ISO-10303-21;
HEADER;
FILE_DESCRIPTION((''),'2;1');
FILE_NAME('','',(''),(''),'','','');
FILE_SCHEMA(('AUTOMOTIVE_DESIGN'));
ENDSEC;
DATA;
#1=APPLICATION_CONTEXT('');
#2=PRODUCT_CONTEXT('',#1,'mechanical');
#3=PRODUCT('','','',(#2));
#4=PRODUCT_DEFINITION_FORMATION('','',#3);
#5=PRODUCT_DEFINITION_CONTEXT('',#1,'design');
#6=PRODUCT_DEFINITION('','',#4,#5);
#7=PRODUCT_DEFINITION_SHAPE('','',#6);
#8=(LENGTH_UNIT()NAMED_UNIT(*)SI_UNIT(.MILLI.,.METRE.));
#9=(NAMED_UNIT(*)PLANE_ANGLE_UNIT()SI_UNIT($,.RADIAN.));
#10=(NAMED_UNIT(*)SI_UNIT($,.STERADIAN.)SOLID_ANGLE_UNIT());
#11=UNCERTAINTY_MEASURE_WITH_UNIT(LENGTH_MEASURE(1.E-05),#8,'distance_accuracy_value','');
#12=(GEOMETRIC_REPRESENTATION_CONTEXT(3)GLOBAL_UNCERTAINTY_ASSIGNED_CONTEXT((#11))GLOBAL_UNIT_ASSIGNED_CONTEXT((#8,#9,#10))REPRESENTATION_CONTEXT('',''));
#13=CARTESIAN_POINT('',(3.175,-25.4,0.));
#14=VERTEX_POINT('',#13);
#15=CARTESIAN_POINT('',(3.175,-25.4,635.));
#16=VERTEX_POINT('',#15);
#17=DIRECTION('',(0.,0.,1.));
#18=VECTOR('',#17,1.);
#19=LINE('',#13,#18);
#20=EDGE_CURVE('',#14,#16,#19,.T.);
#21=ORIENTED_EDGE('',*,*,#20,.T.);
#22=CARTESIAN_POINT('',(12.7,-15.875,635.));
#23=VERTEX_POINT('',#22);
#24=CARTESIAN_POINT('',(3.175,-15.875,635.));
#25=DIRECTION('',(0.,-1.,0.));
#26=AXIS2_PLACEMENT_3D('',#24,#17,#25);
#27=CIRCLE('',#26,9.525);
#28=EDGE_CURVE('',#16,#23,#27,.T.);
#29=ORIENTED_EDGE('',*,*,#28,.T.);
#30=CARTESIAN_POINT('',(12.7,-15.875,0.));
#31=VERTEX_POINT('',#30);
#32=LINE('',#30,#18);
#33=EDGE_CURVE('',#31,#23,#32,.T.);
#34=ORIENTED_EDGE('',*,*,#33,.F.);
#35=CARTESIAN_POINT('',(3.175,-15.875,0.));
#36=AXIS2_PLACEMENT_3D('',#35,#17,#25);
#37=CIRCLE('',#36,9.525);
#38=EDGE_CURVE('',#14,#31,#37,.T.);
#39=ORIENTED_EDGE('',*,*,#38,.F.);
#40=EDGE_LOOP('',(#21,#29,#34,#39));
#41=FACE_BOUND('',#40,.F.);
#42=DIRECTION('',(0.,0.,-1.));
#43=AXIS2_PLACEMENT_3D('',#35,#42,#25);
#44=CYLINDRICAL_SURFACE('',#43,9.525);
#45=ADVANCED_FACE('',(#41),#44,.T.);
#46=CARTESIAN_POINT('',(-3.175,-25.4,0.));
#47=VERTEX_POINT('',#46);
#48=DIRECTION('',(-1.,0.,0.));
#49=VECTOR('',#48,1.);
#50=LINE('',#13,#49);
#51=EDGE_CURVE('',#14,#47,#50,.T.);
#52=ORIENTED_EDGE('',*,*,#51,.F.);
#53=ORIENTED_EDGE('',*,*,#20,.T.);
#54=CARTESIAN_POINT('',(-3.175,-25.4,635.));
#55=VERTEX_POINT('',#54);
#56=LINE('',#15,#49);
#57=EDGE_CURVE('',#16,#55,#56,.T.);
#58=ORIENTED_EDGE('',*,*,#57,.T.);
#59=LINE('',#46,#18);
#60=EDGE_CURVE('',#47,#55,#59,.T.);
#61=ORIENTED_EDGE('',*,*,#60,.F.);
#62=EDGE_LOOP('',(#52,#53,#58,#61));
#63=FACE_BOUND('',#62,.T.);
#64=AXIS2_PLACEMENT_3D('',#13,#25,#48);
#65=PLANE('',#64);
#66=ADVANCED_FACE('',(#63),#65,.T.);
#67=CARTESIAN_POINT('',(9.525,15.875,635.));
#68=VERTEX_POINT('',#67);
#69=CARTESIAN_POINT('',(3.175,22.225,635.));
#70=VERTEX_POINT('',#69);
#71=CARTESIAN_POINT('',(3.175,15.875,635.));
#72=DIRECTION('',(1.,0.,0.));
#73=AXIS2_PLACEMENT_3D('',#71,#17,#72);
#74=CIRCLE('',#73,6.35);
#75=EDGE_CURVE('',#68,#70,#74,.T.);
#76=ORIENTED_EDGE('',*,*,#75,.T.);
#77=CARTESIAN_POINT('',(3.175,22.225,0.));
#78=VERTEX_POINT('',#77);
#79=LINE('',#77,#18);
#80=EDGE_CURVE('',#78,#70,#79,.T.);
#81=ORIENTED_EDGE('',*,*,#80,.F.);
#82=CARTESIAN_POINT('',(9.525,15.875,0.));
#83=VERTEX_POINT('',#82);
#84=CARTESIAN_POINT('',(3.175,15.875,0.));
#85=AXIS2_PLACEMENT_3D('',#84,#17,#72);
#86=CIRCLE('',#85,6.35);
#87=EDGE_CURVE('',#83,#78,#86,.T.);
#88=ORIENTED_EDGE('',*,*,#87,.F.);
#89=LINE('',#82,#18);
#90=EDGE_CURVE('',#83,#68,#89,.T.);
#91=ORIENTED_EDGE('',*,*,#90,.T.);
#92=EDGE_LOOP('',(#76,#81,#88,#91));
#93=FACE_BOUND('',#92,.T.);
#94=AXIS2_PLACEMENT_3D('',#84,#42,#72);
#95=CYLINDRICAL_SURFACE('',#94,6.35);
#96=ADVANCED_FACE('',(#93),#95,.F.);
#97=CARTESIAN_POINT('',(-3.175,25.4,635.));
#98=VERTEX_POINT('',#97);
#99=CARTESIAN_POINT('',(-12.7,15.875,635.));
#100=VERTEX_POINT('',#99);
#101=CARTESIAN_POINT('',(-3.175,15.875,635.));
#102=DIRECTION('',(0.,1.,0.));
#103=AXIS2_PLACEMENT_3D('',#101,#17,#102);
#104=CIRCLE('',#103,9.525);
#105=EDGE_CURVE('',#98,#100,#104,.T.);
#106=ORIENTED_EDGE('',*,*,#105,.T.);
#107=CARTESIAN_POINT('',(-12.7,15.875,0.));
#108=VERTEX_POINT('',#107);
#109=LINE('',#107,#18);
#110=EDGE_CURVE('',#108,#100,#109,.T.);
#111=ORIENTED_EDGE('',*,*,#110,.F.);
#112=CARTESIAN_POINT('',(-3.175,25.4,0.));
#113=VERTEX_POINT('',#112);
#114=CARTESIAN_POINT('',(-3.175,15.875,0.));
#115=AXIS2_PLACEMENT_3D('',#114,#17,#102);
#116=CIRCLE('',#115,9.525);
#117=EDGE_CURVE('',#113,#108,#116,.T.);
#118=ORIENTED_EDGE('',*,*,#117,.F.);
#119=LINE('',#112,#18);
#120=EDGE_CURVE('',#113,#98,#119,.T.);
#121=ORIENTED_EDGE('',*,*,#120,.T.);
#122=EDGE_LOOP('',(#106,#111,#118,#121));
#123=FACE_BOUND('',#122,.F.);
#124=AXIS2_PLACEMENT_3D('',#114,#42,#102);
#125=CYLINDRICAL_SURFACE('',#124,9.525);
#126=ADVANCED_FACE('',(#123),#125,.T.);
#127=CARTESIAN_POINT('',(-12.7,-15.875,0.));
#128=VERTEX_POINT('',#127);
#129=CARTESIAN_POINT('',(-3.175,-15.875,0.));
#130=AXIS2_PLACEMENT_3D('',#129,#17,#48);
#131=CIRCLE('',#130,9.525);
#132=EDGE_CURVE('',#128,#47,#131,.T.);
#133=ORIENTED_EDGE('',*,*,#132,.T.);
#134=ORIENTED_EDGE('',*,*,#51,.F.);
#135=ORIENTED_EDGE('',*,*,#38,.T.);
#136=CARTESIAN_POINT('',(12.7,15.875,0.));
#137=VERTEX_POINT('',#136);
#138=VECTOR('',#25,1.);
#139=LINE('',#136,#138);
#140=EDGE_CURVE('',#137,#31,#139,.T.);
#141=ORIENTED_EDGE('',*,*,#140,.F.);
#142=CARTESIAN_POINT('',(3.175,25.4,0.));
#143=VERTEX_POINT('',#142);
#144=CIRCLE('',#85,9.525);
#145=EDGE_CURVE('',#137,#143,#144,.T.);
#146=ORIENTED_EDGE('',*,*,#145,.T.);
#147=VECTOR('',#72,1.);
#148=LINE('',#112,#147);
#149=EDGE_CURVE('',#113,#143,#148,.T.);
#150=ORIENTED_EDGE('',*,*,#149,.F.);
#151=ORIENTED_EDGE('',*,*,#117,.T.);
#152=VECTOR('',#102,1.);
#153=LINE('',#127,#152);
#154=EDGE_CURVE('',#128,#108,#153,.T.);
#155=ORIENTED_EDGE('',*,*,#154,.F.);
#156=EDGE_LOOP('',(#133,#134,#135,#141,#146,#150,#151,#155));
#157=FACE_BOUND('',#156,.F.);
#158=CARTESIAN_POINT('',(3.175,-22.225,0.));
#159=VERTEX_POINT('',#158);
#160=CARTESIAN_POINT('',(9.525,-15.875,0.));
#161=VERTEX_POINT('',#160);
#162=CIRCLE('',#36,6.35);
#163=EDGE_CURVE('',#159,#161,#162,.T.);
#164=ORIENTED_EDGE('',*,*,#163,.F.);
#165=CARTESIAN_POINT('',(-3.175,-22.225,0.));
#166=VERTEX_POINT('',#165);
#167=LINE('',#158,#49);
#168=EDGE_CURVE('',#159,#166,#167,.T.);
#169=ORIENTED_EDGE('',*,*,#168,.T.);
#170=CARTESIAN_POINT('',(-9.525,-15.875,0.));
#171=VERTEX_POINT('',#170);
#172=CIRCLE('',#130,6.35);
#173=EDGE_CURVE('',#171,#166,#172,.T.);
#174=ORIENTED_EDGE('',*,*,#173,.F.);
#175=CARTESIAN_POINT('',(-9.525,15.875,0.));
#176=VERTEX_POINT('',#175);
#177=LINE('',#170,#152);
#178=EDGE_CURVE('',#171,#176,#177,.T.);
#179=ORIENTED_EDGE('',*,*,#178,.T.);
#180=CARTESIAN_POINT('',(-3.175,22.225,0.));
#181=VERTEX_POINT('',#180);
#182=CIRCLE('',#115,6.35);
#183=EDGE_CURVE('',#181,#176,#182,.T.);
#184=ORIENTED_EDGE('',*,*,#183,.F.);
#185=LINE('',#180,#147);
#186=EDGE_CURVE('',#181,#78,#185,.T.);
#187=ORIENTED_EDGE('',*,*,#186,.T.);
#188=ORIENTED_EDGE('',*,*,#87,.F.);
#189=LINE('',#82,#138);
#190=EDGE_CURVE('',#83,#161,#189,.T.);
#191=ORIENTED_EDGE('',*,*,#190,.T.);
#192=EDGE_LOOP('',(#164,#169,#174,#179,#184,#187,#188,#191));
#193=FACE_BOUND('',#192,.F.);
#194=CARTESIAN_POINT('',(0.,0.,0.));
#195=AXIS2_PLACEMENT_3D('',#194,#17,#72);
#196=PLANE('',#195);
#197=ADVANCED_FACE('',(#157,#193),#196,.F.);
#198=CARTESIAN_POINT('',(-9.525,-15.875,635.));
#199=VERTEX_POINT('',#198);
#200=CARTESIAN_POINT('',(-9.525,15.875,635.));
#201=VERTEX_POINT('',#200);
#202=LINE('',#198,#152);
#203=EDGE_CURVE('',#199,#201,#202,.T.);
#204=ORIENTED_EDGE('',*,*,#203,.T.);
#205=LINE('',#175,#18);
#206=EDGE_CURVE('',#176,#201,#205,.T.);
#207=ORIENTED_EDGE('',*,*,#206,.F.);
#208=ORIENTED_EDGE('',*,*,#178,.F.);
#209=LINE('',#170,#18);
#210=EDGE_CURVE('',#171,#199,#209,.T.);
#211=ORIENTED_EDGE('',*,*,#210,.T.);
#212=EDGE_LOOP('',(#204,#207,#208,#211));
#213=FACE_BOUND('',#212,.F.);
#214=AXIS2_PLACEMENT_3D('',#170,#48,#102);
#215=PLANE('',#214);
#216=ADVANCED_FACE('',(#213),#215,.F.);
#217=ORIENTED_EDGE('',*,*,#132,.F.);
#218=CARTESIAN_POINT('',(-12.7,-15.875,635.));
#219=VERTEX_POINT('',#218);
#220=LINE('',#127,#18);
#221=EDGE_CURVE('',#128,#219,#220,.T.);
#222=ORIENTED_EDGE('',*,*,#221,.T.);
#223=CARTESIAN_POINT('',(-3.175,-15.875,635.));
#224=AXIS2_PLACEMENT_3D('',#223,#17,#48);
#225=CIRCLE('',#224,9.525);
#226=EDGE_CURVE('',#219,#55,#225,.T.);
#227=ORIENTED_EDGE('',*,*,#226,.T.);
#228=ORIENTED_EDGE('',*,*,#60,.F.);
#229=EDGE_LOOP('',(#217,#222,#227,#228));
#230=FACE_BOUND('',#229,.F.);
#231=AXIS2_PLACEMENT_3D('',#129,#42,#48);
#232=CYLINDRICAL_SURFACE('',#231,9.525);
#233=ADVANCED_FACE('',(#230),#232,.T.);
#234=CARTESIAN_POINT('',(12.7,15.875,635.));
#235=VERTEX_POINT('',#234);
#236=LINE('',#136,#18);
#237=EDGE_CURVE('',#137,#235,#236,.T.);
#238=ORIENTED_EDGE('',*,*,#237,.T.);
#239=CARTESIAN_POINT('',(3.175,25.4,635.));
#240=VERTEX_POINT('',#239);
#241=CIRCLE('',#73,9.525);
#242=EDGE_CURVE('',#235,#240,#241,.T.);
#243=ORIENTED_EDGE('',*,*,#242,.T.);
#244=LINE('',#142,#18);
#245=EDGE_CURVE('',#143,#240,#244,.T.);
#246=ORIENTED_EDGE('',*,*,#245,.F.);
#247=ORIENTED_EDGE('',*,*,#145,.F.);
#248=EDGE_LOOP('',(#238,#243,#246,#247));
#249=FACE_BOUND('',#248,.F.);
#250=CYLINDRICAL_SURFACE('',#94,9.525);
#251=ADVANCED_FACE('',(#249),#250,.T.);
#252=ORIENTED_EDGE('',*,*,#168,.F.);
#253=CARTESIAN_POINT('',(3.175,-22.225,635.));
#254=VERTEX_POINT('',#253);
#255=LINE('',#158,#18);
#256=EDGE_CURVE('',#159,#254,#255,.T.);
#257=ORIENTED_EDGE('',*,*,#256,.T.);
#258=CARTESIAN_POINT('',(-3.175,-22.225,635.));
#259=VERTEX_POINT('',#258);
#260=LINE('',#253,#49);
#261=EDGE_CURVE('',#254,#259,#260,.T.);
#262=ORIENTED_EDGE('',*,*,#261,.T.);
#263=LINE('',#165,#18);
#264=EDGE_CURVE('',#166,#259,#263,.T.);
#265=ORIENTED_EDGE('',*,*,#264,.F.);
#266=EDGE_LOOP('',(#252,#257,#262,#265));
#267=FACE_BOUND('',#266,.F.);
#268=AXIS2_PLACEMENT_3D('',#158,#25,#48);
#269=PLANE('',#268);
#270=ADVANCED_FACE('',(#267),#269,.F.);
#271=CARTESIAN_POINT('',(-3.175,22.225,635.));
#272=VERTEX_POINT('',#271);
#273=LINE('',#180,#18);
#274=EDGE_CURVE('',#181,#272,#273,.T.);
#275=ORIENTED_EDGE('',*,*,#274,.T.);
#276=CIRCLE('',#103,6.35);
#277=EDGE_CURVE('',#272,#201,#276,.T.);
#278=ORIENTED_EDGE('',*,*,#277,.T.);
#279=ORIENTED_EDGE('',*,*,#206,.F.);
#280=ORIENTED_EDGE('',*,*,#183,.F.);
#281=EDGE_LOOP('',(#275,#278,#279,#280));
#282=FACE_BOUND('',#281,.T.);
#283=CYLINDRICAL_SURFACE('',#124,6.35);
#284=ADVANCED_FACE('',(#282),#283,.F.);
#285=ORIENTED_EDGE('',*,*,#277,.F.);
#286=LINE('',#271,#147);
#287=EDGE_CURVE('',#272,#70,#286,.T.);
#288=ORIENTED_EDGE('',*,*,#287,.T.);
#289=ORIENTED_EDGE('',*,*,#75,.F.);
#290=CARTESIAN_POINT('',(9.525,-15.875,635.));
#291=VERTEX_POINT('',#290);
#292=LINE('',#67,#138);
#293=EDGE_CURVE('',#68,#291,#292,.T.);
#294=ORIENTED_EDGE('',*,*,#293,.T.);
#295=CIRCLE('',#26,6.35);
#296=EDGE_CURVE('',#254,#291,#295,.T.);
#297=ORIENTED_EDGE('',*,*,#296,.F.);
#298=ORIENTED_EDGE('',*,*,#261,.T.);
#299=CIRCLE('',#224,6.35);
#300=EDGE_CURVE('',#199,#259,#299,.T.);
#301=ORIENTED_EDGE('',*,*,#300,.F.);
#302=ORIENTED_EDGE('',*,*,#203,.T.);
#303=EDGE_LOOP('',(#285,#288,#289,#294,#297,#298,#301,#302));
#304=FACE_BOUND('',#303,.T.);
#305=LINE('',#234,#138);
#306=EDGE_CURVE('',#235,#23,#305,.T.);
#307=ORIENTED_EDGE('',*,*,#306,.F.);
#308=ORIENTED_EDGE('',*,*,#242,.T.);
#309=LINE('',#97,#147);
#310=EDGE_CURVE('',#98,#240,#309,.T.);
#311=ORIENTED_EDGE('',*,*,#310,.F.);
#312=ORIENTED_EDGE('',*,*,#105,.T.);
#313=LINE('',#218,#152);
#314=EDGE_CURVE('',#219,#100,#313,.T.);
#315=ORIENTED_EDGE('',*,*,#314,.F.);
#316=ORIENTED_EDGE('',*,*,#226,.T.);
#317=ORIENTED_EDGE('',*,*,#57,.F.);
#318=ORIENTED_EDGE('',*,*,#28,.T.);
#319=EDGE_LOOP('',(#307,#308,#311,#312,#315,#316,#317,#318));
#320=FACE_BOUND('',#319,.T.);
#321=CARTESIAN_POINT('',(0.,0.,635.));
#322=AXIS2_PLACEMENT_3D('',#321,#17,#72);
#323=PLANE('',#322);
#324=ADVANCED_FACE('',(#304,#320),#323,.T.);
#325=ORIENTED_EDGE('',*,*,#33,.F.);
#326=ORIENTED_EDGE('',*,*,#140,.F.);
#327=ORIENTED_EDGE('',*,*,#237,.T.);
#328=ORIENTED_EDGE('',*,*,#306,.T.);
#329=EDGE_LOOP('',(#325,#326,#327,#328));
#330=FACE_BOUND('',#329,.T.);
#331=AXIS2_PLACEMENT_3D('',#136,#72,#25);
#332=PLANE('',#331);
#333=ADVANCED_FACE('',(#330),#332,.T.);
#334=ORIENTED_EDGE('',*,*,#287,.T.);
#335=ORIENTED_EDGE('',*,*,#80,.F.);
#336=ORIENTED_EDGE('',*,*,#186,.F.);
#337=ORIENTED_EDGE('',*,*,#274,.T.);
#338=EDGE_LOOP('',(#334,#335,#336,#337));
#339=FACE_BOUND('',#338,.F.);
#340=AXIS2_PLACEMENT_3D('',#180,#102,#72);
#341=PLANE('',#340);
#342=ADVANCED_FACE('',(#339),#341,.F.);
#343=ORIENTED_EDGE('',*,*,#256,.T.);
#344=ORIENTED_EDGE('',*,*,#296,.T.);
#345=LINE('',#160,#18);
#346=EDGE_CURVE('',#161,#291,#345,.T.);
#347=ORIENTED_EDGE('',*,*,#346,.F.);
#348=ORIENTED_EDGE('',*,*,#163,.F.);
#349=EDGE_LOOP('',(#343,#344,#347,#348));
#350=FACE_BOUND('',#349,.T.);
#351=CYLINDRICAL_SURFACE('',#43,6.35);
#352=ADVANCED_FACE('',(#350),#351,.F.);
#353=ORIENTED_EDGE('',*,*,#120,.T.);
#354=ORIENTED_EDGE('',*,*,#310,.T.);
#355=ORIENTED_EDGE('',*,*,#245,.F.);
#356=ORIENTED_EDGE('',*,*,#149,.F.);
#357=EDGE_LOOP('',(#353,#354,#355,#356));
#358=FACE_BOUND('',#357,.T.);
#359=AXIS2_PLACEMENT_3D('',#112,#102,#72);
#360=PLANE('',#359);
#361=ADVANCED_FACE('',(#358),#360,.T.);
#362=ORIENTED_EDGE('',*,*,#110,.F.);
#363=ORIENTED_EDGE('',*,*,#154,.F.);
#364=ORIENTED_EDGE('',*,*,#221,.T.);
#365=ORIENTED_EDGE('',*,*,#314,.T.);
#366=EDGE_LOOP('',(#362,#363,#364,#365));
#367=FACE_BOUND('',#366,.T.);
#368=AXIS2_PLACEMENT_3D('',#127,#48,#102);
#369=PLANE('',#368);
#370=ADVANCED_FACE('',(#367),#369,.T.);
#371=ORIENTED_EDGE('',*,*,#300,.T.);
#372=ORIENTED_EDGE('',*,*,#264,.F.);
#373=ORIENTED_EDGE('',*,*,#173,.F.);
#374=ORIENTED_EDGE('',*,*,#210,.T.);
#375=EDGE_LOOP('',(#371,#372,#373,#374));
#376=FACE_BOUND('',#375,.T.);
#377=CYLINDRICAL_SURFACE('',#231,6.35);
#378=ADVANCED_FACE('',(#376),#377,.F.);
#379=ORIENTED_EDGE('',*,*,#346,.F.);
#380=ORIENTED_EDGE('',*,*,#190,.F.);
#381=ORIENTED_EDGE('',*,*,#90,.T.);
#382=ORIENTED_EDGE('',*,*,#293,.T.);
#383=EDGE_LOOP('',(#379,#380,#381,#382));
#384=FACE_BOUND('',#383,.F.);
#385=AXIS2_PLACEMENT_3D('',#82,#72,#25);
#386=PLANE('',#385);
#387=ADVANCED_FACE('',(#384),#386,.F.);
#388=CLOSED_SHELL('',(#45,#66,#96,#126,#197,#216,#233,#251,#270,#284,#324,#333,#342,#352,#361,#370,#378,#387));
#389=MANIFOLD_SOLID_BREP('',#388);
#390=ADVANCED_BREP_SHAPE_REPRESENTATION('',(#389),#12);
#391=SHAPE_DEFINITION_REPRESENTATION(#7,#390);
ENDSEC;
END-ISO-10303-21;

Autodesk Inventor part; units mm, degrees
ref_plane "YZ Plane" through (0, 0, 0) normal (1, 0, 0) x (0, 1, 0)
ref_plane "Start plane" through (0, 0, 0) normal (0, 0, 1) x (1, 0, 0)
ref_plane "End plane" through (0, 0, 635) normal (0, 0, 1) x (1, 0, 0)
sketch "Sketch" plane through (0, 0, 0) normal (0, 0, 1) x (1, 0, 0)
  line L0 (-12.7, -15.875) -> (-12.7, 15.875)
  line L1 (-3.175, 25.4) -> (3.175, 25.4)
  line L2 (12.7, 15.875) -> (12.7, -15.875)
  line L3 (3.175, -25.4) -> (-3.175, -25.4)
  arc A0 (-12.7, -15.875) -> (-3.175, -25.4) centre (-3.175, -15.875) ccw
  arc A1 (-3.175, 25.4) -> (-12.7, 15.875) centre (-3.175, 15.875) ccw
  arc A2 (12.7, 15.875) -> (3.175, 25.4) centre (3.175, 15.875) ccw
  arc A3 (3.175, -25.4) -> (12.7, -15.875) centre (3.175, -15.875) ccw
  arc A4 (-3.175, 22.225) -> (-9.525, 15.875) centre (-3.175, 15.875) ccw
  line L4 (-3.175, 22.225) -> (3.175, 22.225)
  arc A5 (9.525, 15.875) -> (3.175, 22.225) centre (3.175, 15.875) ccw
  line L5 (9.525, 15.875) -> (9.525, -15.875)
  arc A6 (3.175, -22.225) -> (9.525, -15.875) centre (3.175, -15.875) ccw
  line L6 (3.175, -22.225) -> (-3.175, -22.225)
  arc A7 (-9.525, -15.875) -> (-3.175, -22.225) centre (-3.175, -15.875) ccw
  line L7 (-9.525, -15.875) -> (-9.525, 15.875)
  line L8 (0, 38.3218) -> (0, -38.3218) construction
  line L9 (-20.5418, 0) -> (20.5418, 0) construction
  dimension "d10" = 50.8
  dimension "d11" = 25.4
  dimension "d12" = 3.175
  dimension "d15" = 25.4
  dimension "d16" = 12.7
  dimension "d17" = 9.525
extrude "Body" add sketch "Sketch" along normal up to surface (635 mm away) from surface at 0
sketch "Sketch3" plane through (0, 0, 0) normal (0, 0, 1) x (1, 0, 0)
  line L0 (0, 0) -> (10, 0)
ref_plane "Work Plane3" through (0, 0, 0) normal (0, -1, 0) x (1, 0, 0)
sketch "Sketch4" plane through (0, 0, 0) normal (0, -1, 0) x (1, 0, 0)
  line L0 (-2, 0) -> (12, 0)
  line L1 (-2, 635) -> (12, 635)
  dimension "d19" = 635
equation "\"d10\" = G_H"
equation "\"d11\" = G_W"
equation "\"d12\" = G_T"
equation "\"d15\" = 0.5 * d10"
equation "\"d16\" = 0.5 * d11"
equation "\"d17\" = G_IR"
equation "\"d3\" = G_L"
equation "\"G_W\" = 25.4"
equation "\"G_H\" = 50.8"
equation "\"G_T\" = 3.175"
equation "\"G_IR\" = 9.525"
equation "\"G_L\" = d19"
equation "\"G_OFFSET_START\" = 0"
equation "\"G_OFFSET_END\" = 0"
equation "\"d14\" = G_OFFSET_END + B_L"
equation "\"B_L\" = 635"
properties part number "AISC HSS - 2x1x1/8 - 25" material "Steel, Mild"
